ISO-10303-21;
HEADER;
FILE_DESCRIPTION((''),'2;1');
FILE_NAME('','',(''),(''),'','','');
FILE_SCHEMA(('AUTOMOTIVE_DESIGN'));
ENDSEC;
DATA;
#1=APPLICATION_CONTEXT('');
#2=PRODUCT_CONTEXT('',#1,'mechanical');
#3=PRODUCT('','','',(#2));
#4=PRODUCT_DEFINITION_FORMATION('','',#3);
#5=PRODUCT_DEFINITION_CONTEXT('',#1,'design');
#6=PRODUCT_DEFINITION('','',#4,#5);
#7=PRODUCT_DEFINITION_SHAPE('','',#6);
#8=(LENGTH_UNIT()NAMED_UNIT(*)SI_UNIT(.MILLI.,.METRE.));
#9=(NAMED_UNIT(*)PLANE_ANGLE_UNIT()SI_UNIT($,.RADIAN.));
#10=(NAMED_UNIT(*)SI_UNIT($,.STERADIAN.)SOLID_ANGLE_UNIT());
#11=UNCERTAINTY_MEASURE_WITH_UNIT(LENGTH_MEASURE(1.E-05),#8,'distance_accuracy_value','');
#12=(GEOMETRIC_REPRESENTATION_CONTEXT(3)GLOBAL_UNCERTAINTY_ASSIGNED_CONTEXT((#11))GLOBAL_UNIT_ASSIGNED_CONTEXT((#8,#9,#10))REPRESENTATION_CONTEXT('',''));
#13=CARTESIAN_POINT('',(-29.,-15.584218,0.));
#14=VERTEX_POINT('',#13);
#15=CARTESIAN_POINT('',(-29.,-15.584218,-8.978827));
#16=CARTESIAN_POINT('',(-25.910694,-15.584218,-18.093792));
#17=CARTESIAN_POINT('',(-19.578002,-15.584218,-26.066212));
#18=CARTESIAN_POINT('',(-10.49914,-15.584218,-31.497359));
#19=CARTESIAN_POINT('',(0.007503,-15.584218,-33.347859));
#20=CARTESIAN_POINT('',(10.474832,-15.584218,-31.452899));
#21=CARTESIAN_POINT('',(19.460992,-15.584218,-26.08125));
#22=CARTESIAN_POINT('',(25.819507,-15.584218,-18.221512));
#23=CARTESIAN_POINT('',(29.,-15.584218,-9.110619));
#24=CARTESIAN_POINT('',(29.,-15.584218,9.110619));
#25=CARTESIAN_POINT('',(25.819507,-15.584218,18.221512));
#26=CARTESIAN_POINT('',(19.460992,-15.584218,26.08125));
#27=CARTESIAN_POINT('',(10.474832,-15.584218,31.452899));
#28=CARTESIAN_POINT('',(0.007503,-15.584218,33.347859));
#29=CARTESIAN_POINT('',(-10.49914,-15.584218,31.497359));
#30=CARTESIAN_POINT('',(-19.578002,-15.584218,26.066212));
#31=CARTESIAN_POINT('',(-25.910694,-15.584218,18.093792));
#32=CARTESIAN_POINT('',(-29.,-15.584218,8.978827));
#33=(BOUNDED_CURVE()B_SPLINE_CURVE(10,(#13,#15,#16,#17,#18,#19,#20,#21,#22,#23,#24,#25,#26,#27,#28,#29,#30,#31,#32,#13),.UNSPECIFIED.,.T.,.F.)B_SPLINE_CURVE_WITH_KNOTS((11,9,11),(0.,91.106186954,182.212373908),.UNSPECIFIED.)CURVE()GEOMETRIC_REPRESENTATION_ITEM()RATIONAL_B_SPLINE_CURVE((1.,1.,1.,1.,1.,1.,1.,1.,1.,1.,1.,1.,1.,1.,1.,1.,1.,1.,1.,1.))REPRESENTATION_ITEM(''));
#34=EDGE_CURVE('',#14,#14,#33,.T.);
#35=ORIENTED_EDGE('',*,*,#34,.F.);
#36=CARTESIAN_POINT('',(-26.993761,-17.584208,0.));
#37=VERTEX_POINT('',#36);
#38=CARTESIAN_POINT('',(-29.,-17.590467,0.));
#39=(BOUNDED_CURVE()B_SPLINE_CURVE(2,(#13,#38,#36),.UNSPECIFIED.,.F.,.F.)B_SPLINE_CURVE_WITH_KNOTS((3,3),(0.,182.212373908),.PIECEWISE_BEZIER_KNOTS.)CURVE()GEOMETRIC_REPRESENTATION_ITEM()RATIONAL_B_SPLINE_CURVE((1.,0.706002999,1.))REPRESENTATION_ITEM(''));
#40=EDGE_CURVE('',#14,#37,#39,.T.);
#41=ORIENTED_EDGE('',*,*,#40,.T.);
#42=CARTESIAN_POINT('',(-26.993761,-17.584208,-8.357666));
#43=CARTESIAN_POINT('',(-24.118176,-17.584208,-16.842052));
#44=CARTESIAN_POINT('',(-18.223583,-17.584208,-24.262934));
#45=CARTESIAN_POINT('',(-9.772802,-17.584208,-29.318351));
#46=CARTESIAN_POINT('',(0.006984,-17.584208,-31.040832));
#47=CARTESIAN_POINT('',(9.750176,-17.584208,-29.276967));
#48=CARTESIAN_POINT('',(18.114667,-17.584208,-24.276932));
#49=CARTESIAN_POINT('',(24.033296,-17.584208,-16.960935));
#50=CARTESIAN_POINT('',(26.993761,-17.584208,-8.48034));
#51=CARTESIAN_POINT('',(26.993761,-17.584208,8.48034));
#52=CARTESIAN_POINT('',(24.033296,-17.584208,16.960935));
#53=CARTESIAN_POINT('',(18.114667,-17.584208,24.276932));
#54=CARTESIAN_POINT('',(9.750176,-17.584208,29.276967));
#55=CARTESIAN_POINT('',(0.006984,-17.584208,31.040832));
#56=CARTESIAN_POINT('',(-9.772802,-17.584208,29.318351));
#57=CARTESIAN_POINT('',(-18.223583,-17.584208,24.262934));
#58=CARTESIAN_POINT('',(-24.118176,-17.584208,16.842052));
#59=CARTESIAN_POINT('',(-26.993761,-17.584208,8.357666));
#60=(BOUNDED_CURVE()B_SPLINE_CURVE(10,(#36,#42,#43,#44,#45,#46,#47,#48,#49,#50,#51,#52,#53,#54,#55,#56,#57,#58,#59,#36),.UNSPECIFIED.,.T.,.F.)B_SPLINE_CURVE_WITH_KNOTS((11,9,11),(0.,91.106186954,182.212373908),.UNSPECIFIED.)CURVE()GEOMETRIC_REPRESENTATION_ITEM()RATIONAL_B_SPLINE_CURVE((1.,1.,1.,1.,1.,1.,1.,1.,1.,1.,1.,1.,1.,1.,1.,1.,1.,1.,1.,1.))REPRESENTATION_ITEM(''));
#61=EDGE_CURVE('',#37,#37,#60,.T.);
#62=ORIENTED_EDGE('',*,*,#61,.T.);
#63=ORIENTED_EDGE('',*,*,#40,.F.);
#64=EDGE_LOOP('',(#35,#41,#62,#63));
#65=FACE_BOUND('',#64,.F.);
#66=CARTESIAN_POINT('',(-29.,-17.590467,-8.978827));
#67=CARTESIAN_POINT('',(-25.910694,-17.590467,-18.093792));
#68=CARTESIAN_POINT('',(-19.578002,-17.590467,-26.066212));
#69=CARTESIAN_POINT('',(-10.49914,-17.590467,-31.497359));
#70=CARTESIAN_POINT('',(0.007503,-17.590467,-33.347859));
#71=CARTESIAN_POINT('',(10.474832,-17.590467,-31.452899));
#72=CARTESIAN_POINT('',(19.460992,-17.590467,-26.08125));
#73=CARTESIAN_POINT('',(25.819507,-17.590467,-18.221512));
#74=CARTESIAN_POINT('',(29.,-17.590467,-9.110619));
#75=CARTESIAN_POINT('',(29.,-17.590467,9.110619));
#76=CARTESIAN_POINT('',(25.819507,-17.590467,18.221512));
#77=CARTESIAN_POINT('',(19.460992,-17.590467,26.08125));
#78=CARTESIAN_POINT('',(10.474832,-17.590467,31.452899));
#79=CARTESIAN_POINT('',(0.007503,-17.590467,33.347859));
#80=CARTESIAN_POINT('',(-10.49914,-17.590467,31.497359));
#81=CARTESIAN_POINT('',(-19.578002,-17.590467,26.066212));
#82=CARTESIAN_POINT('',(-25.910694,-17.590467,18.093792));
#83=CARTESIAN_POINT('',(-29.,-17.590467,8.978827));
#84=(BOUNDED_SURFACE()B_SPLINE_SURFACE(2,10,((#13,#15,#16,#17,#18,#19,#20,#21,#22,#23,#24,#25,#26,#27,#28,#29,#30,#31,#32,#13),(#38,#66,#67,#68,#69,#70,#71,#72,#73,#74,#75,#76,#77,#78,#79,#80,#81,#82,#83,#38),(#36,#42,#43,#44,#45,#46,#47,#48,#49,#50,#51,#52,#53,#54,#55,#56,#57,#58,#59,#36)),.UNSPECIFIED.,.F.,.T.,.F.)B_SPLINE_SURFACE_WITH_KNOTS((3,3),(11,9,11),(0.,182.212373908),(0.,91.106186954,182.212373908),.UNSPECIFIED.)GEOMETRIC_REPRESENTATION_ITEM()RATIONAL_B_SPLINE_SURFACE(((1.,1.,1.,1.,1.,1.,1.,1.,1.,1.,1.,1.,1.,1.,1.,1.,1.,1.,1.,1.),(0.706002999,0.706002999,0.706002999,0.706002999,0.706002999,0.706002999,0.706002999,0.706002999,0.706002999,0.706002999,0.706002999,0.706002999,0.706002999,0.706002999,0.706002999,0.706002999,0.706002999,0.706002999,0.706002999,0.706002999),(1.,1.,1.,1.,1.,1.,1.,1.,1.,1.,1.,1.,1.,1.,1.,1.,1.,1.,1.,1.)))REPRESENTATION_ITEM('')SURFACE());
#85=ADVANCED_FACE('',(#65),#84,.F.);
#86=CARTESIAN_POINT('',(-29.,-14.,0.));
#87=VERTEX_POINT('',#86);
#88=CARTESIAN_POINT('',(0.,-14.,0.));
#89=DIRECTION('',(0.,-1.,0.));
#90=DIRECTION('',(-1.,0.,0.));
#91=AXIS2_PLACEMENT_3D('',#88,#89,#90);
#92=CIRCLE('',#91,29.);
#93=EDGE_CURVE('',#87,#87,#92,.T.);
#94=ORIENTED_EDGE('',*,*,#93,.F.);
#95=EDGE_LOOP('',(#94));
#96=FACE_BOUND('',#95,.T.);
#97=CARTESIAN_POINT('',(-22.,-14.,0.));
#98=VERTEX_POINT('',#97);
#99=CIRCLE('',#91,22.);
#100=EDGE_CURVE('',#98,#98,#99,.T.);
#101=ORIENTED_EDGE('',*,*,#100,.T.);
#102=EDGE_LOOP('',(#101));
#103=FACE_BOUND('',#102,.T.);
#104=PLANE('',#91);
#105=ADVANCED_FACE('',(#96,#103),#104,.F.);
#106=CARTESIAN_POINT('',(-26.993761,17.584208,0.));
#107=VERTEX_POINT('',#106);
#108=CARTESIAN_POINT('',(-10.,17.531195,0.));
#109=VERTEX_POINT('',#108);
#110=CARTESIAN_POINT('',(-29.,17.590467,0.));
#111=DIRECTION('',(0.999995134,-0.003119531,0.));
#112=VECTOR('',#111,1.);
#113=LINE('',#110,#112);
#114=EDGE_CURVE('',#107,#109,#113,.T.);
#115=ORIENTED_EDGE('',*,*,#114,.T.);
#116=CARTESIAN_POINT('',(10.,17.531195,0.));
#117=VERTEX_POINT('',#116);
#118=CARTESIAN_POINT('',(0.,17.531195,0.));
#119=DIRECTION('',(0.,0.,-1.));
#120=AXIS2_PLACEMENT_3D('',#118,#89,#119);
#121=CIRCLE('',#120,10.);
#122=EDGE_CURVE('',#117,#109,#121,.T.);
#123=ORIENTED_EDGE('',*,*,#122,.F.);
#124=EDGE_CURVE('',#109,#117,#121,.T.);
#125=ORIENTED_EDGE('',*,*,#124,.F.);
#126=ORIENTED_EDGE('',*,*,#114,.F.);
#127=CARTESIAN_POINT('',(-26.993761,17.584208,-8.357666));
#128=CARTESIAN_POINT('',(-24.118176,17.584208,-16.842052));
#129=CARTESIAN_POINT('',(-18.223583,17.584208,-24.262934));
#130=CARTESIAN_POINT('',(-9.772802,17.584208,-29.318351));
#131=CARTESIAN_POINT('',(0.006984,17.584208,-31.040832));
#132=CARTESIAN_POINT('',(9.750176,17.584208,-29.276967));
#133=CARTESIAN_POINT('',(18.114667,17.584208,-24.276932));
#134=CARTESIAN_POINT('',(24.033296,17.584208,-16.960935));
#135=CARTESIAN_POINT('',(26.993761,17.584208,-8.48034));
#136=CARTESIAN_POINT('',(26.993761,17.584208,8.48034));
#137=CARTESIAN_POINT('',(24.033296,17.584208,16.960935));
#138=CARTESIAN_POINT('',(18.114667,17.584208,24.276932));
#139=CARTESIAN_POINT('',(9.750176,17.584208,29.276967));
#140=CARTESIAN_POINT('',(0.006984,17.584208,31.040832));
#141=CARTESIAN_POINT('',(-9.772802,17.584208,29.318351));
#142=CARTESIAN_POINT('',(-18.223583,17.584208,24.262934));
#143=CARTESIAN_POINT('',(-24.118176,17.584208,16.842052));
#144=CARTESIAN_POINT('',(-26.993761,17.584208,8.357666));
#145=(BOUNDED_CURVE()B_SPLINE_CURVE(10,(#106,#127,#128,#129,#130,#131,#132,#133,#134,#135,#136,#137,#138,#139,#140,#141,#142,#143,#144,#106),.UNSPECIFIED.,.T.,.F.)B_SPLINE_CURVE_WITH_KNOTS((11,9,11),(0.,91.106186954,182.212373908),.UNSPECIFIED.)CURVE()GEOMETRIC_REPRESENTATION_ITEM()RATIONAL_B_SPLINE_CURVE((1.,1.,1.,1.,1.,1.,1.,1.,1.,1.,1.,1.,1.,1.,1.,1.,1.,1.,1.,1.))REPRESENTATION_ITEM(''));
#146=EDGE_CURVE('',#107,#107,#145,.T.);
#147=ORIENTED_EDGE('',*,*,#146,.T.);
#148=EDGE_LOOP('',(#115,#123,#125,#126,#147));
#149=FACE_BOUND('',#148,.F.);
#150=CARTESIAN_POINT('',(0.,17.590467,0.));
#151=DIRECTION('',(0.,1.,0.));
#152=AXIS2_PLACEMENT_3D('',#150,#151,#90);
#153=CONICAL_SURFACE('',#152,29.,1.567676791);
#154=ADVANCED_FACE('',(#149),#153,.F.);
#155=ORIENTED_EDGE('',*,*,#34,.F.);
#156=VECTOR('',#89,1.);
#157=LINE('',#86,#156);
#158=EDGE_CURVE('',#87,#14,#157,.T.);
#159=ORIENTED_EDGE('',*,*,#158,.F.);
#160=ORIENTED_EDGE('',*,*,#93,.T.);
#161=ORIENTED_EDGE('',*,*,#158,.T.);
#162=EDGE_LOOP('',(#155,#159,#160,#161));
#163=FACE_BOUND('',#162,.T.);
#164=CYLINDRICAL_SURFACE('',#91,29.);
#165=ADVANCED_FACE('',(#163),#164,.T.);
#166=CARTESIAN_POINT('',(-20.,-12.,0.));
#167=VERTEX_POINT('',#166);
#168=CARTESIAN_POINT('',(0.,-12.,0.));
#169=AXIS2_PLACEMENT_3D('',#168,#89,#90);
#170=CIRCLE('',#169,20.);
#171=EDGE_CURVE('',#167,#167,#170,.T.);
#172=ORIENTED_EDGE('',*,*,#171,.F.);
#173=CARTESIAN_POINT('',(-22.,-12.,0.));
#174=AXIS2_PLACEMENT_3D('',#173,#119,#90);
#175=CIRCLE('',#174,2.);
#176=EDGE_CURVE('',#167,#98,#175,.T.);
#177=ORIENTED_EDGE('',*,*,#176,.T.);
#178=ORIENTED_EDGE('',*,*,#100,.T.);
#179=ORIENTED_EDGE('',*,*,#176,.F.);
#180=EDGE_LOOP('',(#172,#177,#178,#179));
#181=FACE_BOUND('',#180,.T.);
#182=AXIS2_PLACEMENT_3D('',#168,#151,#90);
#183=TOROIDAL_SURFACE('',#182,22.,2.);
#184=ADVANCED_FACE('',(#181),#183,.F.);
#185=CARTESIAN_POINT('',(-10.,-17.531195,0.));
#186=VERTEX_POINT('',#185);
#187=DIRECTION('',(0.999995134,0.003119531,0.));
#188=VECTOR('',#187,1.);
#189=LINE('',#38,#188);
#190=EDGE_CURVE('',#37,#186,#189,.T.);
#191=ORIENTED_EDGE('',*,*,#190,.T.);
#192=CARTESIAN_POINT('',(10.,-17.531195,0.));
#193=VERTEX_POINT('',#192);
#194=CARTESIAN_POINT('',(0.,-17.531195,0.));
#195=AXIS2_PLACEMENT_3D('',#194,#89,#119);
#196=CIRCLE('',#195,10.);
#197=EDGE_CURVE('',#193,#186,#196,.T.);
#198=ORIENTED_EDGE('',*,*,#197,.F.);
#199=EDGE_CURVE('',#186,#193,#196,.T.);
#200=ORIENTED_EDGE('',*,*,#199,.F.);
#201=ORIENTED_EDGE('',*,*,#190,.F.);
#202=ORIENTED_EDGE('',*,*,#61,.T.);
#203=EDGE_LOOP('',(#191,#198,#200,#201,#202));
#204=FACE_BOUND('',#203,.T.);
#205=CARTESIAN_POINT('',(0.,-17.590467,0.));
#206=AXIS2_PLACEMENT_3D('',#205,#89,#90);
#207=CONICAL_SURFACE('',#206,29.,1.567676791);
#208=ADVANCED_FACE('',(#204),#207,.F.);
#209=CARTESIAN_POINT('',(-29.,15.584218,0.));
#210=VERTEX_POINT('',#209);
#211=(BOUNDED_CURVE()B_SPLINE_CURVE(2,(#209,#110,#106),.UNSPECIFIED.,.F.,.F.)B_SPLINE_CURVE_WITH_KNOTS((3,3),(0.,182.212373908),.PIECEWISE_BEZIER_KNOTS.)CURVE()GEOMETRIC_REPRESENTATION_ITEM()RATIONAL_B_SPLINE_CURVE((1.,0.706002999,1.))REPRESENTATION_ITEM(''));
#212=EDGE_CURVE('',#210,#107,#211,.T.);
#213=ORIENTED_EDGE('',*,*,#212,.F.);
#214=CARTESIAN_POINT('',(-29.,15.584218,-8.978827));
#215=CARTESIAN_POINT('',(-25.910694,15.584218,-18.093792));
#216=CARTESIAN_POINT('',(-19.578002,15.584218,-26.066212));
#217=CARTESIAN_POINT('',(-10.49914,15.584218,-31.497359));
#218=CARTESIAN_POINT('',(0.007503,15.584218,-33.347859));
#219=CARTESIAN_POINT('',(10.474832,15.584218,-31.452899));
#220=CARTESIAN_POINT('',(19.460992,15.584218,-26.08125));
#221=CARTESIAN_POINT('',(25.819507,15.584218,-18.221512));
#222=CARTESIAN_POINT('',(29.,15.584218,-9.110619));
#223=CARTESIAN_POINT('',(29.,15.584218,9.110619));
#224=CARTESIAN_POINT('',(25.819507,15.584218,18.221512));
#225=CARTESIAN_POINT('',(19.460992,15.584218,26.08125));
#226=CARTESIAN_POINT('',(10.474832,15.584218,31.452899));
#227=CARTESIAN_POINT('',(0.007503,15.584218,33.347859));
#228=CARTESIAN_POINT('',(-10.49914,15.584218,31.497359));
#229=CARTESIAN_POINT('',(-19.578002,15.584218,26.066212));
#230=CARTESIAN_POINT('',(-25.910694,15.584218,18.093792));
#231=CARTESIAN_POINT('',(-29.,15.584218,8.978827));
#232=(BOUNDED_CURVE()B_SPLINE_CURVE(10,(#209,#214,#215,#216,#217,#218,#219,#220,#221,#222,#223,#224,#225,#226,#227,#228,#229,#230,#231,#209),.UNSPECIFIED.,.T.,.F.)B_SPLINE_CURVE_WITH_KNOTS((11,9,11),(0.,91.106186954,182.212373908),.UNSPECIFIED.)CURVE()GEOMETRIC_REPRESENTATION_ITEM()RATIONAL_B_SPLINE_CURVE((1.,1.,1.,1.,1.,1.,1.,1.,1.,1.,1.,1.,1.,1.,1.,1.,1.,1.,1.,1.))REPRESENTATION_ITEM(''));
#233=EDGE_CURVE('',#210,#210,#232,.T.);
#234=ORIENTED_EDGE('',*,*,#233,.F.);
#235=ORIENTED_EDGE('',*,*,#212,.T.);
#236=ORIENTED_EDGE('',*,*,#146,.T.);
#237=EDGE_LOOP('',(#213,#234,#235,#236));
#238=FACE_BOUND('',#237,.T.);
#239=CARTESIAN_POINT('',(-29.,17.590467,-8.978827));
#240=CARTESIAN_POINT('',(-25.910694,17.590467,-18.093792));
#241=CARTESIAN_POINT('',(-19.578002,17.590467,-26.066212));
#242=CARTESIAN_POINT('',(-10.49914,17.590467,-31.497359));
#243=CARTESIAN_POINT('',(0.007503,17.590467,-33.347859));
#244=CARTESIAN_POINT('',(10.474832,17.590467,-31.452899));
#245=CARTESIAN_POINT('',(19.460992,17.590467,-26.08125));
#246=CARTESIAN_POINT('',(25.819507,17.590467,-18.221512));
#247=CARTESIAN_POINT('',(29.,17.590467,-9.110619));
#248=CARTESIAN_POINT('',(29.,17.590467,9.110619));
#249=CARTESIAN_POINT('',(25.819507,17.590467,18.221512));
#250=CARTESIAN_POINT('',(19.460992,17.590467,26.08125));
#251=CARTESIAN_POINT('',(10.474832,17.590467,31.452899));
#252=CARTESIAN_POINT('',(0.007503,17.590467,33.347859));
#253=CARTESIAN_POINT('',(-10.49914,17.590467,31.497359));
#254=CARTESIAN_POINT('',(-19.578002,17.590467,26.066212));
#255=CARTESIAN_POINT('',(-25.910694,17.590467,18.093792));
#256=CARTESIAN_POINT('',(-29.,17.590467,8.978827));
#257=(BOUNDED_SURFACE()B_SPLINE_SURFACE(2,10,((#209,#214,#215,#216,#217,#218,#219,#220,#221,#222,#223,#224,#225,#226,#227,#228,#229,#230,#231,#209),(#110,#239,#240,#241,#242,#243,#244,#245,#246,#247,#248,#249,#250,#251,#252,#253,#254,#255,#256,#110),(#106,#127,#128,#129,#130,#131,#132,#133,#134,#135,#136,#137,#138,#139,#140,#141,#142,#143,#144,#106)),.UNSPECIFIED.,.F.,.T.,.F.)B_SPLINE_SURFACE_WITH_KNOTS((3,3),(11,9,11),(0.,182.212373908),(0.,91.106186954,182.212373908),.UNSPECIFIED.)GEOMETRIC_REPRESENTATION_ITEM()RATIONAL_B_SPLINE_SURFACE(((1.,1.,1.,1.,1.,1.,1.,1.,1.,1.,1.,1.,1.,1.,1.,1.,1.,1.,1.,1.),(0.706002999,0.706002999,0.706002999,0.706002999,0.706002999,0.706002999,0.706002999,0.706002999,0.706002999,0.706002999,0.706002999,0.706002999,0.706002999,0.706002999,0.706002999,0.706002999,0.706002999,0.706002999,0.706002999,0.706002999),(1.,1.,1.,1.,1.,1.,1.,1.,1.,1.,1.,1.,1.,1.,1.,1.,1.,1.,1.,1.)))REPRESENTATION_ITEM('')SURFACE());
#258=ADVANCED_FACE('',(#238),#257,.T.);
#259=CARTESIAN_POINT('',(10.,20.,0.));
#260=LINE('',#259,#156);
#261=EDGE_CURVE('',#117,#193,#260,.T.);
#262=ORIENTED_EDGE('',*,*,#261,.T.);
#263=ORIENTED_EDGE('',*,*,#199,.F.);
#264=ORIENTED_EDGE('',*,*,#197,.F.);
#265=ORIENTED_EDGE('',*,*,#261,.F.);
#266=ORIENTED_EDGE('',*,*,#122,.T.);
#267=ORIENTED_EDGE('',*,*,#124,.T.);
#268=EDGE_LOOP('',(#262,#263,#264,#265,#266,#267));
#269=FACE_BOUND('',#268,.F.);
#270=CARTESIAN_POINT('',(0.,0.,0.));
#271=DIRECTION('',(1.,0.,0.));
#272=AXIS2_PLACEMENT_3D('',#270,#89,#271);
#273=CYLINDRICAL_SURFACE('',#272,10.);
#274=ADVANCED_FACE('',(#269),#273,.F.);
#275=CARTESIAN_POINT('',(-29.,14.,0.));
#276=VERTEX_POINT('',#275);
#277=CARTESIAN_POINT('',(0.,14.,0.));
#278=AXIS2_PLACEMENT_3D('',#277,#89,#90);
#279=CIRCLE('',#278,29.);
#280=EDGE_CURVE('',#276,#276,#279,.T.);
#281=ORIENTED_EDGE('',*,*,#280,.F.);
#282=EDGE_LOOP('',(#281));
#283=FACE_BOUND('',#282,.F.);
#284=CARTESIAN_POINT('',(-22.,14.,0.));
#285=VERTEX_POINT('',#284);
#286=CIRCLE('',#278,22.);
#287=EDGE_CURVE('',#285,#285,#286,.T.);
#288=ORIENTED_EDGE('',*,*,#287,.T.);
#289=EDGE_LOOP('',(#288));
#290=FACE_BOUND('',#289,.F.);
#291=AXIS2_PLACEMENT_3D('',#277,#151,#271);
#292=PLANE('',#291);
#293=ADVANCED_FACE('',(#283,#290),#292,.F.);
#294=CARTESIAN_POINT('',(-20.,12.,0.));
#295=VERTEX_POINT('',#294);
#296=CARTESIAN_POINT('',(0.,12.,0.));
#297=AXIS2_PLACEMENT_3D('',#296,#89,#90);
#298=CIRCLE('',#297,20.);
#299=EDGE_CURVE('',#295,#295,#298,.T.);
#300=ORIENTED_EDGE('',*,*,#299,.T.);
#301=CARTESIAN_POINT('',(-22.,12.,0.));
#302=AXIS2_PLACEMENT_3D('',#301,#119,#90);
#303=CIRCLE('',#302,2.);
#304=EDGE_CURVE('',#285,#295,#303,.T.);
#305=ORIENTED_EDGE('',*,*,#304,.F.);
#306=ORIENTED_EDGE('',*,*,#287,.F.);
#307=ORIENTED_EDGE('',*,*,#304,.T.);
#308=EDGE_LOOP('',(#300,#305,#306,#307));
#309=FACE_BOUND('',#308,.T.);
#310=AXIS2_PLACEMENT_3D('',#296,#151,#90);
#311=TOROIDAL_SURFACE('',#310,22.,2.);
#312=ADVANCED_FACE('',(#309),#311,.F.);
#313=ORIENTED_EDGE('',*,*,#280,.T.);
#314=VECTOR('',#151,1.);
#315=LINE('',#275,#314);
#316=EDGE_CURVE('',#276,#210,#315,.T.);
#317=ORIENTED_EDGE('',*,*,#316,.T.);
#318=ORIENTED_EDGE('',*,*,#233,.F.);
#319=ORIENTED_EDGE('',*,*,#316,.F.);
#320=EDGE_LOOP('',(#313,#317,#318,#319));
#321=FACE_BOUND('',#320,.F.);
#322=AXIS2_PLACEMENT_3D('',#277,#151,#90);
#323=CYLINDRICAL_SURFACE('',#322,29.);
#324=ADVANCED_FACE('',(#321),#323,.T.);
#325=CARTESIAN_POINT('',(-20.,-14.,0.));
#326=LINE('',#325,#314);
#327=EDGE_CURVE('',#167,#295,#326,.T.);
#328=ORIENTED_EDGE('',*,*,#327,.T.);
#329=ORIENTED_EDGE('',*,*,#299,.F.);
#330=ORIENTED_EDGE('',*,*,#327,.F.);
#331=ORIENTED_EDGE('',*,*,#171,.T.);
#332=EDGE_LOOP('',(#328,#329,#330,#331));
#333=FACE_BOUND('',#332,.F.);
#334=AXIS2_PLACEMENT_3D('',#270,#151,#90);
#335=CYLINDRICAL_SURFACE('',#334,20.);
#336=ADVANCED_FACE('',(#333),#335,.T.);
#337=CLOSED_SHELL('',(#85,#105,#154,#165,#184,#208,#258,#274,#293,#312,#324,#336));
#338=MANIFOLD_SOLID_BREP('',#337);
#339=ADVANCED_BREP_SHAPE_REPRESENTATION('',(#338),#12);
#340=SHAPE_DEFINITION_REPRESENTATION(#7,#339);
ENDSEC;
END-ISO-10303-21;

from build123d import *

# Parameters (mm, degrees)
F3_R     = 2
F4_R     = 2
F5_R     = 10
F6_DEPTH = 20


with BuildPart() as f1:
    # F0 (on Top) → F1 (revolve)
    with BuildSketch(Plane.XY):
        Polygon((-20, -14), (-29, -14), (-29, -17.5904668427), (0, -17.5), (0, 0), (-20, 0), align=None)
    revolve(axis=Axis((0, -8.75, 0), (0, -1, 0)))

    # F2: F1 across plane


with BuildPart() as f1_1:
    add(f1.part)
    add(f1.part.mirror(Plane.XZ))

    # F3
    f3_edges = [f1_1.edges().sort_by_distance(p)[0] for p in [
        (20, 14, 0),
    ]]
    fillet(f3_edges, radius=F3_R)

    # F4
    f4_edges = [f1_1.edges().sort_by_distance(p)[0] for p in [
        (20, -14, 0),
        (29, -17.590467, 0),
        (29, 17.590467, 0),
    ]]
    fillet(f4_edges, radius=F4_R)

    # F5 (on Front) → F6 (cut, symmetric)
    with BuildSketch(Plane.XZ):
        Circle(F5_R)
    extrude(amount=F6_DEPTH, both=True, mode=Mode.SUBTRACT)


solid = f1_1.part
